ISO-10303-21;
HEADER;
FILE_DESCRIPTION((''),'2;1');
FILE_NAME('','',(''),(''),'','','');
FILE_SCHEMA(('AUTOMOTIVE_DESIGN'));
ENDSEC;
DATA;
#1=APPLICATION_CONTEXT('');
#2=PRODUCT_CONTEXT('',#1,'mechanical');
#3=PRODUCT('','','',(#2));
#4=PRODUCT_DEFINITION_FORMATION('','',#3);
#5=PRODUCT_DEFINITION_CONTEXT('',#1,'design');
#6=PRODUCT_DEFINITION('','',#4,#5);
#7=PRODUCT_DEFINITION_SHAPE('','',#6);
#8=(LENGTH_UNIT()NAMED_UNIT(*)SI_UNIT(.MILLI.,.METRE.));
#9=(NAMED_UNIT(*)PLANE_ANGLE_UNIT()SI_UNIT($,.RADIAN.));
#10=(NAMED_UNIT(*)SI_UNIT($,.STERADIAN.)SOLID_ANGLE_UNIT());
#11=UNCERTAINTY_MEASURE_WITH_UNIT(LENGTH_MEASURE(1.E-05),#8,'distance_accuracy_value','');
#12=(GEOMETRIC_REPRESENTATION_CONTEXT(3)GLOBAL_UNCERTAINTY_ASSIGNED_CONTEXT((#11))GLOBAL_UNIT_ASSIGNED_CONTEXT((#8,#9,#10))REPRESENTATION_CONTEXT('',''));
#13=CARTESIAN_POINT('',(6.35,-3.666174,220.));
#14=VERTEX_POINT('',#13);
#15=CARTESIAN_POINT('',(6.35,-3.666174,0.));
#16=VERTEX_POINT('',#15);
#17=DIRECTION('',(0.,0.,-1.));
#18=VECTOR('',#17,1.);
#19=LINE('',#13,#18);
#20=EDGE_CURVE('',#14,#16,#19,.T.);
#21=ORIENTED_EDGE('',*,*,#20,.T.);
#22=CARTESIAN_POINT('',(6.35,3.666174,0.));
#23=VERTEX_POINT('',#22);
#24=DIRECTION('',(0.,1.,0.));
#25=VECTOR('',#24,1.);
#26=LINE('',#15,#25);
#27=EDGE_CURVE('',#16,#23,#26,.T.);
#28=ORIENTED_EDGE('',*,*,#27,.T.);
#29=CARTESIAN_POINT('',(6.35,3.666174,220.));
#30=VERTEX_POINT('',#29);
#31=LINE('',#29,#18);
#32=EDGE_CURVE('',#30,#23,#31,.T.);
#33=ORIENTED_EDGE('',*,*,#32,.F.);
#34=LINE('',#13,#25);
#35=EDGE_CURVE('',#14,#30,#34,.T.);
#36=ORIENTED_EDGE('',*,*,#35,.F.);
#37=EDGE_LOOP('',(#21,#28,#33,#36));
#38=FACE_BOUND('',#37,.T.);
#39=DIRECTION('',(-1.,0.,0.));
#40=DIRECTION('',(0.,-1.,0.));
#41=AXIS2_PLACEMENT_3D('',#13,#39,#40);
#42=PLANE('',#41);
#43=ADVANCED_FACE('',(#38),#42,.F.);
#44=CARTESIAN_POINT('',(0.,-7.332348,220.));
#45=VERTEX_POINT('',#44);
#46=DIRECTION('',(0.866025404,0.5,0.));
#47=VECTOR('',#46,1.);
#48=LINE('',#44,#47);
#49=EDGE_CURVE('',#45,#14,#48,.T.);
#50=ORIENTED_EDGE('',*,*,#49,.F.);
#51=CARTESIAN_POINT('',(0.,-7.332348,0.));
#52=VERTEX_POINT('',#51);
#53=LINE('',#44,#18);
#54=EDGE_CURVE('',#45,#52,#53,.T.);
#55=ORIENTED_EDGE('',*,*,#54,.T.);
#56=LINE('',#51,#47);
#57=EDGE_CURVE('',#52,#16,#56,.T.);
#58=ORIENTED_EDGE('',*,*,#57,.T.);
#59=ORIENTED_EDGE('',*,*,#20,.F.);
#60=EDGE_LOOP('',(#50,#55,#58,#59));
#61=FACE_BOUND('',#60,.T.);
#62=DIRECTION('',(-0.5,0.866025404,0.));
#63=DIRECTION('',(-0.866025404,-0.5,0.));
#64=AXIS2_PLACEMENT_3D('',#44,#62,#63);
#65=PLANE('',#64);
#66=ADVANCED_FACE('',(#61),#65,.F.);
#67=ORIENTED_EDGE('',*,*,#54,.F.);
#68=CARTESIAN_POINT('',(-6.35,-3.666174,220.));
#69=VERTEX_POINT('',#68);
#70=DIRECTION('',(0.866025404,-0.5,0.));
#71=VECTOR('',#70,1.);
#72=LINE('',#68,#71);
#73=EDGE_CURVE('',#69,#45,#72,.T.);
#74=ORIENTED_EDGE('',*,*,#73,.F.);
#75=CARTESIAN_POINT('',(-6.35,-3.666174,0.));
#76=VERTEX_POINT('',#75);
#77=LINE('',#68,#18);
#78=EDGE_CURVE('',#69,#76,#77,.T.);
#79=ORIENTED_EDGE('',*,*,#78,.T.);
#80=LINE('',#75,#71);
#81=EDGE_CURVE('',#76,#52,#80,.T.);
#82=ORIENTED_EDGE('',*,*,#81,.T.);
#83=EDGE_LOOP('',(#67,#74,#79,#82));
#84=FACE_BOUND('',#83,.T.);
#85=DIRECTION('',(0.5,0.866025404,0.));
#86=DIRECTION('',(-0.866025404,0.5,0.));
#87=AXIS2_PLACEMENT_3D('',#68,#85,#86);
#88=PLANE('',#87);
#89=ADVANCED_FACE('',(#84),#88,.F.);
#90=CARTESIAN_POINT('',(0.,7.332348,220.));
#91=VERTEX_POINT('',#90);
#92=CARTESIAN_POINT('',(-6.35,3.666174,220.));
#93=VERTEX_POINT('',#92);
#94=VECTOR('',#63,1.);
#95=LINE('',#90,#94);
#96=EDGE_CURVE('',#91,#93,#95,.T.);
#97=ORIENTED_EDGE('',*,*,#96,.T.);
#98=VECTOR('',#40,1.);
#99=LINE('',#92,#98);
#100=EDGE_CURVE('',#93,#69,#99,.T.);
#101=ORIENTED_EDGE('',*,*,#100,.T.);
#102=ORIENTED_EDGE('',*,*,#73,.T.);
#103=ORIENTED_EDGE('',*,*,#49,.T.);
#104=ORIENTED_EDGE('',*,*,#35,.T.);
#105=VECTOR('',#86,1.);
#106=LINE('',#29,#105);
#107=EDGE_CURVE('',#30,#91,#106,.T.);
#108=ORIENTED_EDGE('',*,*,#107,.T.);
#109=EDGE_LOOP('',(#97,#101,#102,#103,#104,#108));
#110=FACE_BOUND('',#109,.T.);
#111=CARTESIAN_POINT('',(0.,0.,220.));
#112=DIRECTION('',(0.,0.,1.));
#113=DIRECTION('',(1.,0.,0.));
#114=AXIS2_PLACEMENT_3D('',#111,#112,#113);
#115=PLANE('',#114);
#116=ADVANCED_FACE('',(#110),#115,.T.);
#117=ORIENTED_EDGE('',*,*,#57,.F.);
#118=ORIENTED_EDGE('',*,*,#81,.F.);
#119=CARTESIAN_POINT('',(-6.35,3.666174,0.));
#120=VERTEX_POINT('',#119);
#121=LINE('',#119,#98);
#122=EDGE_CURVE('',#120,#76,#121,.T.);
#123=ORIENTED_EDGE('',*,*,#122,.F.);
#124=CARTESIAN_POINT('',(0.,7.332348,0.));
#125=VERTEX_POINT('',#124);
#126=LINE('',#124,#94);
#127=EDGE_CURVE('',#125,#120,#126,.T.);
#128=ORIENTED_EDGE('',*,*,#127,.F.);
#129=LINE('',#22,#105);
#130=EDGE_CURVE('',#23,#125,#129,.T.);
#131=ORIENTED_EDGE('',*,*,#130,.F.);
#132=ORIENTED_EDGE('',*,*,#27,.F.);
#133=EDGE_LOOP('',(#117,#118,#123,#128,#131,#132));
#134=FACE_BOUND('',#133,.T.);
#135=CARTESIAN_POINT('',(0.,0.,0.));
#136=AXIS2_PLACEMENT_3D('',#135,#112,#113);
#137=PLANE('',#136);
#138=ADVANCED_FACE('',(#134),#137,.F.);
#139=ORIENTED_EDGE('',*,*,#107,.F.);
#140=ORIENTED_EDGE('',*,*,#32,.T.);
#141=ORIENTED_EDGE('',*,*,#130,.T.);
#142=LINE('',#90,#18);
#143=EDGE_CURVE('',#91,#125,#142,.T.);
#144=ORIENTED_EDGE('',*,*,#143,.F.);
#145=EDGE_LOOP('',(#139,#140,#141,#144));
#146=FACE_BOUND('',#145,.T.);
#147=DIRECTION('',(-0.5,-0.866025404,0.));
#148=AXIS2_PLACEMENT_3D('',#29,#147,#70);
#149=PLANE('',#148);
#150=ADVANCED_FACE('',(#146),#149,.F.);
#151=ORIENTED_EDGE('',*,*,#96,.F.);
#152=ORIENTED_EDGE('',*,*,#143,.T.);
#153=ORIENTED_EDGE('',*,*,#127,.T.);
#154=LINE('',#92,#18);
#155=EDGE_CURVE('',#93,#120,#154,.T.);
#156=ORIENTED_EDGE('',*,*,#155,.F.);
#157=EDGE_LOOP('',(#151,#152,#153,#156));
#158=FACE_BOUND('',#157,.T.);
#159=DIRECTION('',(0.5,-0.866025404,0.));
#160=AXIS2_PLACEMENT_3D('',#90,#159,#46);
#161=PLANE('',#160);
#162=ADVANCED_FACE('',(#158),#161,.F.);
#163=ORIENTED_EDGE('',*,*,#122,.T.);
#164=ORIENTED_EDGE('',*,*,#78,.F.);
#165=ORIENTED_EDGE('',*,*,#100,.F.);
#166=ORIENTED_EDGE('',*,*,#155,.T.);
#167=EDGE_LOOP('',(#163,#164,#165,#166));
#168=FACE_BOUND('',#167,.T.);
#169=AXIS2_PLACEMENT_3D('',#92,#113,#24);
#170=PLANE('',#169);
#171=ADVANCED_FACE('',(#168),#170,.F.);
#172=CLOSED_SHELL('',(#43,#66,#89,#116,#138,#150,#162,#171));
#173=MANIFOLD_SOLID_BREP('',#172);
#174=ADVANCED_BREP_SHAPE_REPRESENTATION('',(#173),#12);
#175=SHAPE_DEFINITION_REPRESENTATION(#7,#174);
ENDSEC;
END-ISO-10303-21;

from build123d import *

# Parameters (mm, degrees)
BOSS_EXTRUDE1_DEPTH = 220


with BuildPart() as part:
    # Sketch1 → Boss-Extrude1 (new body)
    with BuildSketch(Plane.XY):
        Polygon((0, 7.332348419), (-6.35, 3.666174209), (-6.35, -3.666174209), (0, -7.332348419), (6.35, -3.666174209), (6.35, 3.666174209), align=None)
    extrude(amount=BOSS_EXTRUDE1_DEPTH)


solid = part.part
